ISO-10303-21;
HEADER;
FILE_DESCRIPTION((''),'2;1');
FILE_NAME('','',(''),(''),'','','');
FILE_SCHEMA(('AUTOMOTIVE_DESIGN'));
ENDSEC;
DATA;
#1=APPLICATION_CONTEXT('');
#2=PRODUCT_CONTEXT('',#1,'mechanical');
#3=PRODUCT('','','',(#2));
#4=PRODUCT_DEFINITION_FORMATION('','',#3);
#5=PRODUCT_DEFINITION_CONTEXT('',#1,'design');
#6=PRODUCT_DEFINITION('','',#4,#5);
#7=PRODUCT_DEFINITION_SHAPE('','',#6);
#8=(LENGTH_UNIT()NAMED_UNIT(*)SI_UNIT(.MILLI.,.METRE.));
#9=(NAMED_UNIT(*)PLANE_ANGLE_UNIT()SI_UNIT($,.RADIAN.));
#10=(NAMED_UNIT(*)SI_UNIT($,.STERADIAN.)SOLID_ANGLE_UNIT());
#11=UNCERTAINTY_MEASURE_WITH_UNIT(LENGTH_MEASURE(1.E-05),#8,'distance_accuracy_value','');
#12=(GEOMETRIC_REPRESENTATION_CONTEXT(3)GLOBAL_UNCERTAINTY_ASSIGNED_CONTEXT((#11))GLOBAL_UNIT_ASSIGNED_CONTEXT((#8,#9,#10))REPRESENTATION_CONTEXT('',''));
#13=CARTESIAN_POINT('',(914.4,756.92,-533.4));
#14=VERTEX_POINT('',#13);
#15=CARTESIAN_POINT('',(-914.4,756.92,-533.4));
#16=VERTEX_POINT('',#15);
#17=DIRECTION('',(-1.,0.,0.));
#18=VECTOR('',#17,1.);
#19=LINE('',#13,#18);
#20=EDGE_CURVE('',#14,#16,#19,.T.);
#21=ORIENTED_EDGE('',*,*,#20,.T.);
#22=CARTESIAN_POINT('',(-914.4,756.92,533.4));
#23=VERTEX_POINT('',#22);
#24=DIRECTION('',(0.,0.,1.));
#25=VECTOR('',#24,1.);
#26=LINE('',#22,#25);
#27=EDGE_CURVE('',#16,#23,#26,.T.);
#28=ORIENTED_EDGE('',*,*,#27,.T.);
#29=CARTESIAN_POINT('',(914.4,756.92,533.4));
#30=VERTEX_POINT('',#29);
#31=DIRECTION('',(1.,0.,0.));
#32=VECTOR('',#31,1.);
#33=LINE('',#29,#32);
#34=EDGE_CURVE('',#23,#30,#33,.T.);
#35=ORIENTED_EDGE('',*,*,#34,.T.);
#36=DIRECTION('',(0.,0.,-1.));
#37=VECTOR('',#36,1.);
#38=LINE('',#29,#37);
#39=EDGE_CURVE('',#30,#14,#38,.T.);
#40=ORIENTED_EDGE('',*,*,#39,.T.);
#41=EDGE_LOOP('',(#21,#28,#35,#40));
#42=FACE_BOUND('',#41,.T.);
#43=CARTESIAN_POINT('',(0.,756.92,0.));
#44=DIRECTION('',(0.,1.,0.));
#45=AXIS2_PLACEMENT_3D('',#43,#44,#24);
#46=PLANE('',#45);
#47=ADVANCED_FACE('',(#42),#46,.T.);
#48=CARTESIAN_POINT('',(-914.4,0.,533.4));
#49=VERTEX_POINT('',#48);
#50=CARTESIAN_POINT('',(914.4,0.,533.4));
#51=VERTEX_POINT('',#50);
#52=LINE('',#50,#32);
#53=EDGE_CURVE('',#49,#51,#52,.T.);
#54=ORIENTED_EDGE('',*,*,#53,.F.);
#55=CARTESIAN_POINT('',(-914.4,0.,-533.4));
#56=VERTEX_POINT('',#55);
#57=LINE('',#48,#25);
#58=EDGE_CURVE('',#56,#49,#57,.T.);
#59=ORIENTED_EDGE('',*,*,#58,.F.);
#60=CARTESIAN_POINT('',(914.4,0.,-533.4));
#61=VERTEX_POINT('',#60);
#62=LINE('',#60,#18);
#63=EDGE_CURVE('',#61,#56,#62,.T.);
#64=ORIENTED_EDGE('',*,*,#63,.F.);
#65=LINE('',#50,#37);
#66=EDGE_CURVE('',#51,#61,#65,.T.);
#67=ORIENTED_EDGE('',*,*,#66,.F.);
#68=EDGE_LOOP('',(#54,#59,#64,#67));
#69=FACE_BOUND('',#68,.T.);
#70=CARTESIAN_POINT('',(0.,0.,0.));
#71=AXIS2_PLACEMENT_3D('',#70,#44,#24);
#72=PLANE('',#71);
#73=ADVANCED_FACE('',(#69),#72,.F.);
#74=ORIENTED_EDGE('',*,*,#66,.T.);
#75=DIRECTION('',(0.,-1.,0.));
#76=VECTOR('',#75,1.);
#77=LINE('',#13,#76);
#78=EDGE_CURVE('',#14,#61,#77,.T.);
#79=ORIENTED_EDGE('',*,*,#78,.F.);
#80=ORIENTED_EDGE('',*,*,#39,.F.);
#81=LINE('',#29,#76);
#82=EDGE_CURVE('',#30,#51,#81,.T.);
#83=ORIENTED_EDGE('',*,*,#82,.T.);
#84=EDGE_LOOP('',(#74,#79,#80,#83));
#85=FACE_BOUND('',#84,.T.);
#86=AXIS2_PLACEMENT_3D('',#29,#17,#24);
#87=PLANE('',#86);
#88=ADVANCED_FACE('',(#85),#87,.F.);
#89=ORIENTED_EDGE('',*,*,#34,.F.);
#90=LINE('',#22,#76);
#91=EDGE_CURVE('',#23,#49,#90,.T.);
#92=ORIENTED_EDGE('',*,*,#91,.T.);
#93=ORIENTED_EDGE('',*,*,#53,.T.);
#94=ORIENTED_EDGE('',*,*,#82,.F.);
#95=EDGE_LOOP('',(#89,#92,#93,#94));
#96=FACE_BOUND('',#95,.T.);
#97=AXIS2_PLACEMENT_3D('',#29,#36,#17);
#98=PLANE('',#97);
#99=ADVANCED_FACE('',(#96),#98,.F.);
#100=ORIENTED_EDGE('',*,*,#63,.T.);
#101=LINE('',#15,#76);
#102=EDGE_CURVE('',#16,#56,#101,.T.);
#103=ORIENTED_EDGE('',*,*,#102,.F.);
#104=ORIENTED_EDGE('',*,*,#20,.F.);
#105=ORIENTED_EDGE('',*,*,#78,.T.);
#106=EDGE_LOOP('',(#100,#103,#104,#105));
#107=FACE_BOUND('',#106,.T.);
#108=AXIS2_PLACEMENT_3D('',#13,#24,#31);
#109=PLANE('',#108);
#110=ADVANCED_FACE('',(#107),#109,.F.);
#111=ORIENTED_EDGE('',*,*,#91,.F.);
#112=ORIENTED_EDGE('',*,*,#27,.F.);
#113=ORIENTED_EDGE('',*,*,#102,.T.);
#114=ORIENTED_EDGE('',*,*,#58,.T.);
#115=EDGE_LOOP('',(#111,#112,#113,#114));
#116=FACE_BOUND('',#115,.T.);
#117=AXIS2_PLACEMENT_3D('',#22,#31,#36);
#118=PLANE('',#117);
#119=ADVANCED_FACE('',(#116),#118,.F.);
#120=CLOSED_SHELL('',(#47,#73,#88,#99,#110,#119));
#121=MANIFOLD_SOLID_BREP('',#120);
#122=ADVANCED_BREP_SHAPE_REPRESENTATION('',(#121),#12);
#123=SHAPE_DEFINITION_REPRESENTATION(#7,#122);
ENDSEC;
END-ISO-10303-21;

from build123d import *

# Parameters (mm, degrees)
SKETCH1_W           = 1828.8
SKETCH1_H           = 1066.8
BOSS_EXTRUDE1_DEPTH = 756.92


with BuildPart() as part:
    # Sketch1 → Boss-Extrude1 (new body)
    with BuildSketch(Plane(origin=(0, 0, 0), x_dir=(1, 0, 0), z_dir=(0, 1, 0))):
        Rectangle(SKETCH1_W, SKETCH1_H)
    extrude(amount=BOSS_EXTRUDE1_DEPTH)


solid = part.part
